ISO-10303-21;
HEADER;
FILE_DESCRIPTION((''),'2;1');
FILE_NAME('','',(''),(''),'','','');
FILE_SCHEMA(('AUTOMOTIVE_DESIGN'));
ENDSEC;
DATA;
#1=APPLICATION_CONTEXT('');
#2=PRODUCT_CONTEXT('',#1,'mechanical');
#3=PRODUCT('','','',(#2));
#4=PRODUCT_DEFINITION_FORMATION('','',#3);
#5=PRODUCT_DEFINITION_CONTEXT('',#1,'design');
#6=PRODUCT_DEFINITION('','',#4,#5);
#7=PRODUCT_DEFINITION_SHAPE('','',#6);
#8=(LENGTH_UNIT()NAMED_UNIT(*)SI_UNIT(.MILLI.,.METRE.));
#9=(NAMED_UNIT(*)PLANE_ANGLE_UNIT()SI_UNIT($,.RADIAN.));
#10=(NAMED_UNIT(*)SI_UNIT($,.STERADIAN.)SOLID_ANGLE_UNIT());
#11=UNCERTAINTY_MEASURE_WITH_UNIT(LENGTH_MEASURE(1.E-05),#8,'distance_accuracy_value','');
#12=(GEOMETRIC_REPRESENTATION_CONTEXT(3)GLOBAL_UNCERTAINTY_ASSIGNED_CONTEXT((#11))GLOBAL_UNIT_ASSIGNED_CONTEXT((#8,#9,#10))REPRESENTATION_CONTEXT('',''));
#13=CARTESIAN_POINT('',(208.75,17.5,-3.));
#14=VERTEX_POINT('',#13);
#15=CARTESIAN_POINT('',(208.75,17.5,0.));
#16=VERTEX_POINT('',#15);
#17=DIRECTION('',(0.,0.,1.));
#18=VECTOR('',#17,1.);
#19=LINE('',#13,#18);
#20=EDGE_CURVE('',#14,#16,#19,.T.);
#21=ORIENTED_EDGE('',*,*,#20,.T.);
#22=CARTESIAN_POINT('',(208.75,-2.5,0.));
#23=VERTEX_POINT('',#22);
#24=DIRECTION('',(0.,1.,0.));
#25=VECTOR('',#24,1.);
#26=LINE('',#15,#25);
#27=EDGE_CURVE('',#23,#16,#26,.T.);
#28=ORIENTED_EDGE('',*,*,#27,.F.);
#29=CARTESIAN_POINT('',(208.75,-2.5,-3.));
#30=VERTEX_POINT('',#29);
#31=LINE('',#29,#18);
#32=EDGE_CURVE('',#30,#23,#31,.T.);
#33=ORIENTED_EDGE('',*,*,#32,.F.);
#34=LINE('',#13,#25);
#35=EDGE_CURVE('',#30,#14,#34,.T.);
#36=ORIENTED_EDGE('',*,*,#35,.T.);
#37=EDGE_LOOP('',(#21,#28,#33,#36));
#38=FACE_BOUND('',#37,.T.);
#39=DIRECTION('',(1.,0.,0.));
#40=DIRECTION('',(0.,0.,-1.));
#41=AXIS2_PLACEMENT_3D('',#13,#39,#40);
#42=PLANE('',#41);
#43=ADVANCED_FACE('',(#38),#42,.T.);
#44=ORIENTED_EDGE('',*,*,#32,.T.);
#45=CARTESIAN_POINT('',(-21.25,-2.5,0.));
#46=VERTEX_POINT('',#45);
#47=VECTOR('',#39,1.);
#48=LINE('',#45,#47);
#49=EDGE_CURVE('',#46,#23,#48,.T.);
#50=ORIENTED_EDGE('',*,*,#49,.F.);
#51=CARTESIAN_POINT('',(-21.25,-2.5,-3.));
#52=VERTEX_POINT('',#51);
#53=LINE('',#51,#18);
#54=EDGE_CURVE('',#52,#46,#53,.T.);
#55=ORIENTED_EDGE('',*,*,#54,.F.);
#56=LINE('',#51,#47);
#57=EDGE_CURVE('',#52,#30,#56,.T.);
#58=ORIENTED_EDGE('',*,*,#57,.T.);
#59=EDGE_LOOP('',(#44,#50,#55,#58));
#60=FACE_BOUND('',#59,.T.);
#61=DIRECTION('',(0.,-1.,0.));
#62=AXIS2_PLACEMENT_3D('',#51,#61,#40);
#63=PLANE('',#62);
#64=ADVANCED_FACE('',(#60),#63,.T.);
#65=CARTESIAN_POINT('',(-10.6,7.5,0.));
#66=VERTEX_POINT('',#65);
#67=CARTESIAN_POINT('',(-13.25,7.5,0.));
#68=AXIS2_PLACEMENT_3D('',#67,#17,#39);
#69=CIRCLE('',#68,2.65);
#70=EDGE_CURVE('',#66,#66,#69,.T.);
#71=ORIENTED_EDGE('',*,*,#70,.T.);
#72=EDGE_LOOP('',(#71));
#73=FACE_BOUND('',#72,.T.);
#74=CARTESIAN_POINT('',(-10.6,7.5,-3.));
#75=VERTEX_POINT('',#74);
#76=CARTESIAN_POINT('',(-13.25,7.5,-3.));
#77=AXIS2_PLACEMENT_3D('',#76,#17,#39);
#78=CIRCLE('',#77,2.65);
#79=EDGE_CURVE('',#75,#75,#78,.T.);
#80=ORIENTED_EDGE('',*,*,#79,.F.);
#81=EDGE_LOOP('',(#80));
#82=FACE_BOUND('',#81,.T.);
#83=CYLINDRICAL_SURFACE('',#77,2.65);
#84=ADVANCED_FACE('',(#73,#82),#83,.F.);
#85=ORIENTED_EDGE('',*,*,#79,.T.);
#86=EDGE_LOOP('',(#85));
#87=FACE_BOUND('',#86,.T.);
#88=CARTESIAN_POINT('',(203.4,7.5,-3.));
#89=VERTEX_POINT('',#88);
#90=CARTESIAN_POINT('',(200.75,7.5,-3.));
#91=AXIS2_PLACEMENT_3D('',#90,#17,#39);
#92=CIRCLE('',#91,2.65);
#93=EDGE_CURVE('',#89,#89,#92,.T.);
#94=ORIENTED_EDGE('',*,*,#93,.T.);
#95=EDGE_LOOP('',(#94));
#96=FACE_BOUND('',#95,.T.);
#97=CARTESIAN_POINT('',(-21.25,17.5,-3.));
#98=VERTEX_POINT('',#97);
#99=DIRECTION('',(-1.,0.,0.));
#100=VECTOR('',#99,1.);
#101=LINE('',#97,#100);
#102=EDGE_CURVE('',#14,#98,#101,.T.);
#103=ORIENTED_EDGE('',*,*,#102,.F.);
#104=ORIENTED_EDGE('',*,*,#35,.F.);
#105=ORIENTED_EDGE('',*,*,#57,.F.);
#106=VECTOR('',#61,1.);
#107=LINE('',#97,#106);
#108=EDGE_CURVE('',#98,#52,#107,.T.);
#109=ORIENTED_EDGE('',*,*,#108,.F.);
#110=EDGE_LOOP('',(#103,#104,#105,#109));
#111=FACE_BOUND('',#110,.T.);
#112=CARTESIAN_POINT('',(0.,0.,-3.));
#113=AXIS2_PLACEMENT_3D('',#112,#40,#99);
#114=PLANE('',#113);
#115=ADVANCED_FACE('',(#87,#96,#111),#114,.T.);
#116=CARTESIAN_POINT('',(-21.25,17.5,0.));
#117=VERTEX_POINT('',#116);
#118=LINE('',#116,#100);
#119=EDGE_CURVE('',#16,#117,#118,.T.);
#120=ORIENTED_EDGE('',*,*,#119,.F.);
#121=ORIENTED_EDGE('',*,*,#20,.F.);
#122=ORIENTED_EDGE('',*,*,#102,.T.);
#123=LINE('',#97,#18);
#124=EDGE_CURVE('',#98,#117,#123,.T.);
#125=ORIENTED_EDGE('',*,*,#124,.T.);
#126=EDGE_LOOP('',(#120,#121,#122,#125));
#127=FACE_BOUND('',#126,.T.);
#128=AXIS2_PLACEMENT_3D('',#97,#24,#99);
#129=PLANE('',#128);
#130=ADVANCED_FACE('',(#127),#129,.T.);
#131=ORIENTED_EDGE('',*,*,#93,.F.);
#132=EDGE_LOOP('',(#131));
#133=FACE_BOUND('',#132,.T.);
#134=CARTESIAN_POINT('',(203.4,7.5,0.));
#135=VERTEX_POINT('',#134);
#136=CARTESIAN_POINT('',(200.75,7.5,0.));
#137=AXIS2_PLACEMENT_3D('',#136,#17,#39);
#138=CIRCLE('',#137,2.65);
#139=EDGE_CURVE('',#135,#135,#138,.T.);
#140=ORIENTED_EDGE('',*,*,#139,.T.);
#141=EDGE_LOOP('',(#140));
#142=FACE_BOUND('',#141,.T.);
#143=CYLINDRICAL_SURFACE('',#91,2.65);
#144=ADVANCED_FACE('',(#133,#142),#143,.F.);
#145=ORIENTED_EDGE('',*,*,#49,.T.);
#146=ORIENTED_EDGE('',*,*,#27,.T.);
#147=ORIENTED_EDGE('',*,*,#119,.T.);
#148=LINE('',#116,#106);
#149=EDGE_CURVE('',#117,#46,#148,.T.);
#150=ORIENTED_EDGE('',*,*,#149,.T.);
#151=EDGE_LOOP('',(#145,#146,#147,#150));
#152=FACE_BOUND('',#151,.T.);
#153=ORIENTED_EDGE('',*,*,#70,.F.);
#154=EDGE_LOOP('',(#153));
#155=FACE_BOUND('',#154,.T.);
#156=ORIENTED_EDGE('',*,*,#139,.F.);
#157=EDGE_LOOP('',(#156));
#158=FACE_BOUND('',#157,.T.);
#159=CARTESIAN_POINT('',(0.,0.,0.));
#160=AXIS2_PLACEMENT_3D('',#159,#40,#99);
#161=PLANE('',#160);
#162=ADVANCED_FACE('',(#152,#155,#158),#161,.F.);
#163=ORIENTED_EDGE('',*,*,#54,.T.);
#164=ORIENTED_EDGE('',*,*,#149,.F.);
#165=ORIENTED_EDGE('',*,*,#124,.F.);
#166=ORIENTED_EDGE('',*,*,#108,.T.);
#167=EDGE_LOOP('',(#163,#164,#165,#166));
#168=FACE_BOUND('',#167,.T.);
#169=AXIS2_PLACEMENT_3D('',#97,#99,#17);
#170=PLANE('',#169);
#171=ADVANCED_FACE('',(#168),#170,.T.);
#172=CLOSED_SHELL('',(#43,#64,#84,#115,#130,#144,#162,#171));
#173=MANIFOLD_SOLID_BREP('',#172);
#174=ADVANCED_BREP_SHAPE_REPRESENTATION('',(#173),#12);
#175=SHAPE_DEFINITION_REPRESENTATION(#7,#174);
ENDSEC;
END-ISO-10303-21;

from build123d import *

# Parameters (mm, degrees)
EXTRUSION_BASE_SKETCH_W      = 230
EXTRUSION_BASE_SKETCH_H      = 20
EXTRUSION_BASE_SKETCH_R      = 2.65
EXTRUSION_BASE_EXTRUDE_DEPTH = 3


with BuildPart() as part:
    # Extrusion Base Sketch → Extrusion Base Extrude (new body)
    with BuildSketch(Plane.XY):
        with Locations((93.75, 7.5)):
            Rectangle(EXTRUSION_BASE_SKETCH_W, EXTRUSION_BASE_SKETCH_H)
        with Locations((-13.25, 7.5)):
            Circle(EXTRUSION_BASE_SKETCH_R, mode=Mode.SUBTRACT)
        with Locations((200.75, 7.5)):
            Circle(EXTRUSION_BASE_SKETCH_R, mode=Mode.SUBTRACT)
    extrude(amount=-EXTRUSION_BASE_EXTRUDE_DEPTH)


solid = part.part
